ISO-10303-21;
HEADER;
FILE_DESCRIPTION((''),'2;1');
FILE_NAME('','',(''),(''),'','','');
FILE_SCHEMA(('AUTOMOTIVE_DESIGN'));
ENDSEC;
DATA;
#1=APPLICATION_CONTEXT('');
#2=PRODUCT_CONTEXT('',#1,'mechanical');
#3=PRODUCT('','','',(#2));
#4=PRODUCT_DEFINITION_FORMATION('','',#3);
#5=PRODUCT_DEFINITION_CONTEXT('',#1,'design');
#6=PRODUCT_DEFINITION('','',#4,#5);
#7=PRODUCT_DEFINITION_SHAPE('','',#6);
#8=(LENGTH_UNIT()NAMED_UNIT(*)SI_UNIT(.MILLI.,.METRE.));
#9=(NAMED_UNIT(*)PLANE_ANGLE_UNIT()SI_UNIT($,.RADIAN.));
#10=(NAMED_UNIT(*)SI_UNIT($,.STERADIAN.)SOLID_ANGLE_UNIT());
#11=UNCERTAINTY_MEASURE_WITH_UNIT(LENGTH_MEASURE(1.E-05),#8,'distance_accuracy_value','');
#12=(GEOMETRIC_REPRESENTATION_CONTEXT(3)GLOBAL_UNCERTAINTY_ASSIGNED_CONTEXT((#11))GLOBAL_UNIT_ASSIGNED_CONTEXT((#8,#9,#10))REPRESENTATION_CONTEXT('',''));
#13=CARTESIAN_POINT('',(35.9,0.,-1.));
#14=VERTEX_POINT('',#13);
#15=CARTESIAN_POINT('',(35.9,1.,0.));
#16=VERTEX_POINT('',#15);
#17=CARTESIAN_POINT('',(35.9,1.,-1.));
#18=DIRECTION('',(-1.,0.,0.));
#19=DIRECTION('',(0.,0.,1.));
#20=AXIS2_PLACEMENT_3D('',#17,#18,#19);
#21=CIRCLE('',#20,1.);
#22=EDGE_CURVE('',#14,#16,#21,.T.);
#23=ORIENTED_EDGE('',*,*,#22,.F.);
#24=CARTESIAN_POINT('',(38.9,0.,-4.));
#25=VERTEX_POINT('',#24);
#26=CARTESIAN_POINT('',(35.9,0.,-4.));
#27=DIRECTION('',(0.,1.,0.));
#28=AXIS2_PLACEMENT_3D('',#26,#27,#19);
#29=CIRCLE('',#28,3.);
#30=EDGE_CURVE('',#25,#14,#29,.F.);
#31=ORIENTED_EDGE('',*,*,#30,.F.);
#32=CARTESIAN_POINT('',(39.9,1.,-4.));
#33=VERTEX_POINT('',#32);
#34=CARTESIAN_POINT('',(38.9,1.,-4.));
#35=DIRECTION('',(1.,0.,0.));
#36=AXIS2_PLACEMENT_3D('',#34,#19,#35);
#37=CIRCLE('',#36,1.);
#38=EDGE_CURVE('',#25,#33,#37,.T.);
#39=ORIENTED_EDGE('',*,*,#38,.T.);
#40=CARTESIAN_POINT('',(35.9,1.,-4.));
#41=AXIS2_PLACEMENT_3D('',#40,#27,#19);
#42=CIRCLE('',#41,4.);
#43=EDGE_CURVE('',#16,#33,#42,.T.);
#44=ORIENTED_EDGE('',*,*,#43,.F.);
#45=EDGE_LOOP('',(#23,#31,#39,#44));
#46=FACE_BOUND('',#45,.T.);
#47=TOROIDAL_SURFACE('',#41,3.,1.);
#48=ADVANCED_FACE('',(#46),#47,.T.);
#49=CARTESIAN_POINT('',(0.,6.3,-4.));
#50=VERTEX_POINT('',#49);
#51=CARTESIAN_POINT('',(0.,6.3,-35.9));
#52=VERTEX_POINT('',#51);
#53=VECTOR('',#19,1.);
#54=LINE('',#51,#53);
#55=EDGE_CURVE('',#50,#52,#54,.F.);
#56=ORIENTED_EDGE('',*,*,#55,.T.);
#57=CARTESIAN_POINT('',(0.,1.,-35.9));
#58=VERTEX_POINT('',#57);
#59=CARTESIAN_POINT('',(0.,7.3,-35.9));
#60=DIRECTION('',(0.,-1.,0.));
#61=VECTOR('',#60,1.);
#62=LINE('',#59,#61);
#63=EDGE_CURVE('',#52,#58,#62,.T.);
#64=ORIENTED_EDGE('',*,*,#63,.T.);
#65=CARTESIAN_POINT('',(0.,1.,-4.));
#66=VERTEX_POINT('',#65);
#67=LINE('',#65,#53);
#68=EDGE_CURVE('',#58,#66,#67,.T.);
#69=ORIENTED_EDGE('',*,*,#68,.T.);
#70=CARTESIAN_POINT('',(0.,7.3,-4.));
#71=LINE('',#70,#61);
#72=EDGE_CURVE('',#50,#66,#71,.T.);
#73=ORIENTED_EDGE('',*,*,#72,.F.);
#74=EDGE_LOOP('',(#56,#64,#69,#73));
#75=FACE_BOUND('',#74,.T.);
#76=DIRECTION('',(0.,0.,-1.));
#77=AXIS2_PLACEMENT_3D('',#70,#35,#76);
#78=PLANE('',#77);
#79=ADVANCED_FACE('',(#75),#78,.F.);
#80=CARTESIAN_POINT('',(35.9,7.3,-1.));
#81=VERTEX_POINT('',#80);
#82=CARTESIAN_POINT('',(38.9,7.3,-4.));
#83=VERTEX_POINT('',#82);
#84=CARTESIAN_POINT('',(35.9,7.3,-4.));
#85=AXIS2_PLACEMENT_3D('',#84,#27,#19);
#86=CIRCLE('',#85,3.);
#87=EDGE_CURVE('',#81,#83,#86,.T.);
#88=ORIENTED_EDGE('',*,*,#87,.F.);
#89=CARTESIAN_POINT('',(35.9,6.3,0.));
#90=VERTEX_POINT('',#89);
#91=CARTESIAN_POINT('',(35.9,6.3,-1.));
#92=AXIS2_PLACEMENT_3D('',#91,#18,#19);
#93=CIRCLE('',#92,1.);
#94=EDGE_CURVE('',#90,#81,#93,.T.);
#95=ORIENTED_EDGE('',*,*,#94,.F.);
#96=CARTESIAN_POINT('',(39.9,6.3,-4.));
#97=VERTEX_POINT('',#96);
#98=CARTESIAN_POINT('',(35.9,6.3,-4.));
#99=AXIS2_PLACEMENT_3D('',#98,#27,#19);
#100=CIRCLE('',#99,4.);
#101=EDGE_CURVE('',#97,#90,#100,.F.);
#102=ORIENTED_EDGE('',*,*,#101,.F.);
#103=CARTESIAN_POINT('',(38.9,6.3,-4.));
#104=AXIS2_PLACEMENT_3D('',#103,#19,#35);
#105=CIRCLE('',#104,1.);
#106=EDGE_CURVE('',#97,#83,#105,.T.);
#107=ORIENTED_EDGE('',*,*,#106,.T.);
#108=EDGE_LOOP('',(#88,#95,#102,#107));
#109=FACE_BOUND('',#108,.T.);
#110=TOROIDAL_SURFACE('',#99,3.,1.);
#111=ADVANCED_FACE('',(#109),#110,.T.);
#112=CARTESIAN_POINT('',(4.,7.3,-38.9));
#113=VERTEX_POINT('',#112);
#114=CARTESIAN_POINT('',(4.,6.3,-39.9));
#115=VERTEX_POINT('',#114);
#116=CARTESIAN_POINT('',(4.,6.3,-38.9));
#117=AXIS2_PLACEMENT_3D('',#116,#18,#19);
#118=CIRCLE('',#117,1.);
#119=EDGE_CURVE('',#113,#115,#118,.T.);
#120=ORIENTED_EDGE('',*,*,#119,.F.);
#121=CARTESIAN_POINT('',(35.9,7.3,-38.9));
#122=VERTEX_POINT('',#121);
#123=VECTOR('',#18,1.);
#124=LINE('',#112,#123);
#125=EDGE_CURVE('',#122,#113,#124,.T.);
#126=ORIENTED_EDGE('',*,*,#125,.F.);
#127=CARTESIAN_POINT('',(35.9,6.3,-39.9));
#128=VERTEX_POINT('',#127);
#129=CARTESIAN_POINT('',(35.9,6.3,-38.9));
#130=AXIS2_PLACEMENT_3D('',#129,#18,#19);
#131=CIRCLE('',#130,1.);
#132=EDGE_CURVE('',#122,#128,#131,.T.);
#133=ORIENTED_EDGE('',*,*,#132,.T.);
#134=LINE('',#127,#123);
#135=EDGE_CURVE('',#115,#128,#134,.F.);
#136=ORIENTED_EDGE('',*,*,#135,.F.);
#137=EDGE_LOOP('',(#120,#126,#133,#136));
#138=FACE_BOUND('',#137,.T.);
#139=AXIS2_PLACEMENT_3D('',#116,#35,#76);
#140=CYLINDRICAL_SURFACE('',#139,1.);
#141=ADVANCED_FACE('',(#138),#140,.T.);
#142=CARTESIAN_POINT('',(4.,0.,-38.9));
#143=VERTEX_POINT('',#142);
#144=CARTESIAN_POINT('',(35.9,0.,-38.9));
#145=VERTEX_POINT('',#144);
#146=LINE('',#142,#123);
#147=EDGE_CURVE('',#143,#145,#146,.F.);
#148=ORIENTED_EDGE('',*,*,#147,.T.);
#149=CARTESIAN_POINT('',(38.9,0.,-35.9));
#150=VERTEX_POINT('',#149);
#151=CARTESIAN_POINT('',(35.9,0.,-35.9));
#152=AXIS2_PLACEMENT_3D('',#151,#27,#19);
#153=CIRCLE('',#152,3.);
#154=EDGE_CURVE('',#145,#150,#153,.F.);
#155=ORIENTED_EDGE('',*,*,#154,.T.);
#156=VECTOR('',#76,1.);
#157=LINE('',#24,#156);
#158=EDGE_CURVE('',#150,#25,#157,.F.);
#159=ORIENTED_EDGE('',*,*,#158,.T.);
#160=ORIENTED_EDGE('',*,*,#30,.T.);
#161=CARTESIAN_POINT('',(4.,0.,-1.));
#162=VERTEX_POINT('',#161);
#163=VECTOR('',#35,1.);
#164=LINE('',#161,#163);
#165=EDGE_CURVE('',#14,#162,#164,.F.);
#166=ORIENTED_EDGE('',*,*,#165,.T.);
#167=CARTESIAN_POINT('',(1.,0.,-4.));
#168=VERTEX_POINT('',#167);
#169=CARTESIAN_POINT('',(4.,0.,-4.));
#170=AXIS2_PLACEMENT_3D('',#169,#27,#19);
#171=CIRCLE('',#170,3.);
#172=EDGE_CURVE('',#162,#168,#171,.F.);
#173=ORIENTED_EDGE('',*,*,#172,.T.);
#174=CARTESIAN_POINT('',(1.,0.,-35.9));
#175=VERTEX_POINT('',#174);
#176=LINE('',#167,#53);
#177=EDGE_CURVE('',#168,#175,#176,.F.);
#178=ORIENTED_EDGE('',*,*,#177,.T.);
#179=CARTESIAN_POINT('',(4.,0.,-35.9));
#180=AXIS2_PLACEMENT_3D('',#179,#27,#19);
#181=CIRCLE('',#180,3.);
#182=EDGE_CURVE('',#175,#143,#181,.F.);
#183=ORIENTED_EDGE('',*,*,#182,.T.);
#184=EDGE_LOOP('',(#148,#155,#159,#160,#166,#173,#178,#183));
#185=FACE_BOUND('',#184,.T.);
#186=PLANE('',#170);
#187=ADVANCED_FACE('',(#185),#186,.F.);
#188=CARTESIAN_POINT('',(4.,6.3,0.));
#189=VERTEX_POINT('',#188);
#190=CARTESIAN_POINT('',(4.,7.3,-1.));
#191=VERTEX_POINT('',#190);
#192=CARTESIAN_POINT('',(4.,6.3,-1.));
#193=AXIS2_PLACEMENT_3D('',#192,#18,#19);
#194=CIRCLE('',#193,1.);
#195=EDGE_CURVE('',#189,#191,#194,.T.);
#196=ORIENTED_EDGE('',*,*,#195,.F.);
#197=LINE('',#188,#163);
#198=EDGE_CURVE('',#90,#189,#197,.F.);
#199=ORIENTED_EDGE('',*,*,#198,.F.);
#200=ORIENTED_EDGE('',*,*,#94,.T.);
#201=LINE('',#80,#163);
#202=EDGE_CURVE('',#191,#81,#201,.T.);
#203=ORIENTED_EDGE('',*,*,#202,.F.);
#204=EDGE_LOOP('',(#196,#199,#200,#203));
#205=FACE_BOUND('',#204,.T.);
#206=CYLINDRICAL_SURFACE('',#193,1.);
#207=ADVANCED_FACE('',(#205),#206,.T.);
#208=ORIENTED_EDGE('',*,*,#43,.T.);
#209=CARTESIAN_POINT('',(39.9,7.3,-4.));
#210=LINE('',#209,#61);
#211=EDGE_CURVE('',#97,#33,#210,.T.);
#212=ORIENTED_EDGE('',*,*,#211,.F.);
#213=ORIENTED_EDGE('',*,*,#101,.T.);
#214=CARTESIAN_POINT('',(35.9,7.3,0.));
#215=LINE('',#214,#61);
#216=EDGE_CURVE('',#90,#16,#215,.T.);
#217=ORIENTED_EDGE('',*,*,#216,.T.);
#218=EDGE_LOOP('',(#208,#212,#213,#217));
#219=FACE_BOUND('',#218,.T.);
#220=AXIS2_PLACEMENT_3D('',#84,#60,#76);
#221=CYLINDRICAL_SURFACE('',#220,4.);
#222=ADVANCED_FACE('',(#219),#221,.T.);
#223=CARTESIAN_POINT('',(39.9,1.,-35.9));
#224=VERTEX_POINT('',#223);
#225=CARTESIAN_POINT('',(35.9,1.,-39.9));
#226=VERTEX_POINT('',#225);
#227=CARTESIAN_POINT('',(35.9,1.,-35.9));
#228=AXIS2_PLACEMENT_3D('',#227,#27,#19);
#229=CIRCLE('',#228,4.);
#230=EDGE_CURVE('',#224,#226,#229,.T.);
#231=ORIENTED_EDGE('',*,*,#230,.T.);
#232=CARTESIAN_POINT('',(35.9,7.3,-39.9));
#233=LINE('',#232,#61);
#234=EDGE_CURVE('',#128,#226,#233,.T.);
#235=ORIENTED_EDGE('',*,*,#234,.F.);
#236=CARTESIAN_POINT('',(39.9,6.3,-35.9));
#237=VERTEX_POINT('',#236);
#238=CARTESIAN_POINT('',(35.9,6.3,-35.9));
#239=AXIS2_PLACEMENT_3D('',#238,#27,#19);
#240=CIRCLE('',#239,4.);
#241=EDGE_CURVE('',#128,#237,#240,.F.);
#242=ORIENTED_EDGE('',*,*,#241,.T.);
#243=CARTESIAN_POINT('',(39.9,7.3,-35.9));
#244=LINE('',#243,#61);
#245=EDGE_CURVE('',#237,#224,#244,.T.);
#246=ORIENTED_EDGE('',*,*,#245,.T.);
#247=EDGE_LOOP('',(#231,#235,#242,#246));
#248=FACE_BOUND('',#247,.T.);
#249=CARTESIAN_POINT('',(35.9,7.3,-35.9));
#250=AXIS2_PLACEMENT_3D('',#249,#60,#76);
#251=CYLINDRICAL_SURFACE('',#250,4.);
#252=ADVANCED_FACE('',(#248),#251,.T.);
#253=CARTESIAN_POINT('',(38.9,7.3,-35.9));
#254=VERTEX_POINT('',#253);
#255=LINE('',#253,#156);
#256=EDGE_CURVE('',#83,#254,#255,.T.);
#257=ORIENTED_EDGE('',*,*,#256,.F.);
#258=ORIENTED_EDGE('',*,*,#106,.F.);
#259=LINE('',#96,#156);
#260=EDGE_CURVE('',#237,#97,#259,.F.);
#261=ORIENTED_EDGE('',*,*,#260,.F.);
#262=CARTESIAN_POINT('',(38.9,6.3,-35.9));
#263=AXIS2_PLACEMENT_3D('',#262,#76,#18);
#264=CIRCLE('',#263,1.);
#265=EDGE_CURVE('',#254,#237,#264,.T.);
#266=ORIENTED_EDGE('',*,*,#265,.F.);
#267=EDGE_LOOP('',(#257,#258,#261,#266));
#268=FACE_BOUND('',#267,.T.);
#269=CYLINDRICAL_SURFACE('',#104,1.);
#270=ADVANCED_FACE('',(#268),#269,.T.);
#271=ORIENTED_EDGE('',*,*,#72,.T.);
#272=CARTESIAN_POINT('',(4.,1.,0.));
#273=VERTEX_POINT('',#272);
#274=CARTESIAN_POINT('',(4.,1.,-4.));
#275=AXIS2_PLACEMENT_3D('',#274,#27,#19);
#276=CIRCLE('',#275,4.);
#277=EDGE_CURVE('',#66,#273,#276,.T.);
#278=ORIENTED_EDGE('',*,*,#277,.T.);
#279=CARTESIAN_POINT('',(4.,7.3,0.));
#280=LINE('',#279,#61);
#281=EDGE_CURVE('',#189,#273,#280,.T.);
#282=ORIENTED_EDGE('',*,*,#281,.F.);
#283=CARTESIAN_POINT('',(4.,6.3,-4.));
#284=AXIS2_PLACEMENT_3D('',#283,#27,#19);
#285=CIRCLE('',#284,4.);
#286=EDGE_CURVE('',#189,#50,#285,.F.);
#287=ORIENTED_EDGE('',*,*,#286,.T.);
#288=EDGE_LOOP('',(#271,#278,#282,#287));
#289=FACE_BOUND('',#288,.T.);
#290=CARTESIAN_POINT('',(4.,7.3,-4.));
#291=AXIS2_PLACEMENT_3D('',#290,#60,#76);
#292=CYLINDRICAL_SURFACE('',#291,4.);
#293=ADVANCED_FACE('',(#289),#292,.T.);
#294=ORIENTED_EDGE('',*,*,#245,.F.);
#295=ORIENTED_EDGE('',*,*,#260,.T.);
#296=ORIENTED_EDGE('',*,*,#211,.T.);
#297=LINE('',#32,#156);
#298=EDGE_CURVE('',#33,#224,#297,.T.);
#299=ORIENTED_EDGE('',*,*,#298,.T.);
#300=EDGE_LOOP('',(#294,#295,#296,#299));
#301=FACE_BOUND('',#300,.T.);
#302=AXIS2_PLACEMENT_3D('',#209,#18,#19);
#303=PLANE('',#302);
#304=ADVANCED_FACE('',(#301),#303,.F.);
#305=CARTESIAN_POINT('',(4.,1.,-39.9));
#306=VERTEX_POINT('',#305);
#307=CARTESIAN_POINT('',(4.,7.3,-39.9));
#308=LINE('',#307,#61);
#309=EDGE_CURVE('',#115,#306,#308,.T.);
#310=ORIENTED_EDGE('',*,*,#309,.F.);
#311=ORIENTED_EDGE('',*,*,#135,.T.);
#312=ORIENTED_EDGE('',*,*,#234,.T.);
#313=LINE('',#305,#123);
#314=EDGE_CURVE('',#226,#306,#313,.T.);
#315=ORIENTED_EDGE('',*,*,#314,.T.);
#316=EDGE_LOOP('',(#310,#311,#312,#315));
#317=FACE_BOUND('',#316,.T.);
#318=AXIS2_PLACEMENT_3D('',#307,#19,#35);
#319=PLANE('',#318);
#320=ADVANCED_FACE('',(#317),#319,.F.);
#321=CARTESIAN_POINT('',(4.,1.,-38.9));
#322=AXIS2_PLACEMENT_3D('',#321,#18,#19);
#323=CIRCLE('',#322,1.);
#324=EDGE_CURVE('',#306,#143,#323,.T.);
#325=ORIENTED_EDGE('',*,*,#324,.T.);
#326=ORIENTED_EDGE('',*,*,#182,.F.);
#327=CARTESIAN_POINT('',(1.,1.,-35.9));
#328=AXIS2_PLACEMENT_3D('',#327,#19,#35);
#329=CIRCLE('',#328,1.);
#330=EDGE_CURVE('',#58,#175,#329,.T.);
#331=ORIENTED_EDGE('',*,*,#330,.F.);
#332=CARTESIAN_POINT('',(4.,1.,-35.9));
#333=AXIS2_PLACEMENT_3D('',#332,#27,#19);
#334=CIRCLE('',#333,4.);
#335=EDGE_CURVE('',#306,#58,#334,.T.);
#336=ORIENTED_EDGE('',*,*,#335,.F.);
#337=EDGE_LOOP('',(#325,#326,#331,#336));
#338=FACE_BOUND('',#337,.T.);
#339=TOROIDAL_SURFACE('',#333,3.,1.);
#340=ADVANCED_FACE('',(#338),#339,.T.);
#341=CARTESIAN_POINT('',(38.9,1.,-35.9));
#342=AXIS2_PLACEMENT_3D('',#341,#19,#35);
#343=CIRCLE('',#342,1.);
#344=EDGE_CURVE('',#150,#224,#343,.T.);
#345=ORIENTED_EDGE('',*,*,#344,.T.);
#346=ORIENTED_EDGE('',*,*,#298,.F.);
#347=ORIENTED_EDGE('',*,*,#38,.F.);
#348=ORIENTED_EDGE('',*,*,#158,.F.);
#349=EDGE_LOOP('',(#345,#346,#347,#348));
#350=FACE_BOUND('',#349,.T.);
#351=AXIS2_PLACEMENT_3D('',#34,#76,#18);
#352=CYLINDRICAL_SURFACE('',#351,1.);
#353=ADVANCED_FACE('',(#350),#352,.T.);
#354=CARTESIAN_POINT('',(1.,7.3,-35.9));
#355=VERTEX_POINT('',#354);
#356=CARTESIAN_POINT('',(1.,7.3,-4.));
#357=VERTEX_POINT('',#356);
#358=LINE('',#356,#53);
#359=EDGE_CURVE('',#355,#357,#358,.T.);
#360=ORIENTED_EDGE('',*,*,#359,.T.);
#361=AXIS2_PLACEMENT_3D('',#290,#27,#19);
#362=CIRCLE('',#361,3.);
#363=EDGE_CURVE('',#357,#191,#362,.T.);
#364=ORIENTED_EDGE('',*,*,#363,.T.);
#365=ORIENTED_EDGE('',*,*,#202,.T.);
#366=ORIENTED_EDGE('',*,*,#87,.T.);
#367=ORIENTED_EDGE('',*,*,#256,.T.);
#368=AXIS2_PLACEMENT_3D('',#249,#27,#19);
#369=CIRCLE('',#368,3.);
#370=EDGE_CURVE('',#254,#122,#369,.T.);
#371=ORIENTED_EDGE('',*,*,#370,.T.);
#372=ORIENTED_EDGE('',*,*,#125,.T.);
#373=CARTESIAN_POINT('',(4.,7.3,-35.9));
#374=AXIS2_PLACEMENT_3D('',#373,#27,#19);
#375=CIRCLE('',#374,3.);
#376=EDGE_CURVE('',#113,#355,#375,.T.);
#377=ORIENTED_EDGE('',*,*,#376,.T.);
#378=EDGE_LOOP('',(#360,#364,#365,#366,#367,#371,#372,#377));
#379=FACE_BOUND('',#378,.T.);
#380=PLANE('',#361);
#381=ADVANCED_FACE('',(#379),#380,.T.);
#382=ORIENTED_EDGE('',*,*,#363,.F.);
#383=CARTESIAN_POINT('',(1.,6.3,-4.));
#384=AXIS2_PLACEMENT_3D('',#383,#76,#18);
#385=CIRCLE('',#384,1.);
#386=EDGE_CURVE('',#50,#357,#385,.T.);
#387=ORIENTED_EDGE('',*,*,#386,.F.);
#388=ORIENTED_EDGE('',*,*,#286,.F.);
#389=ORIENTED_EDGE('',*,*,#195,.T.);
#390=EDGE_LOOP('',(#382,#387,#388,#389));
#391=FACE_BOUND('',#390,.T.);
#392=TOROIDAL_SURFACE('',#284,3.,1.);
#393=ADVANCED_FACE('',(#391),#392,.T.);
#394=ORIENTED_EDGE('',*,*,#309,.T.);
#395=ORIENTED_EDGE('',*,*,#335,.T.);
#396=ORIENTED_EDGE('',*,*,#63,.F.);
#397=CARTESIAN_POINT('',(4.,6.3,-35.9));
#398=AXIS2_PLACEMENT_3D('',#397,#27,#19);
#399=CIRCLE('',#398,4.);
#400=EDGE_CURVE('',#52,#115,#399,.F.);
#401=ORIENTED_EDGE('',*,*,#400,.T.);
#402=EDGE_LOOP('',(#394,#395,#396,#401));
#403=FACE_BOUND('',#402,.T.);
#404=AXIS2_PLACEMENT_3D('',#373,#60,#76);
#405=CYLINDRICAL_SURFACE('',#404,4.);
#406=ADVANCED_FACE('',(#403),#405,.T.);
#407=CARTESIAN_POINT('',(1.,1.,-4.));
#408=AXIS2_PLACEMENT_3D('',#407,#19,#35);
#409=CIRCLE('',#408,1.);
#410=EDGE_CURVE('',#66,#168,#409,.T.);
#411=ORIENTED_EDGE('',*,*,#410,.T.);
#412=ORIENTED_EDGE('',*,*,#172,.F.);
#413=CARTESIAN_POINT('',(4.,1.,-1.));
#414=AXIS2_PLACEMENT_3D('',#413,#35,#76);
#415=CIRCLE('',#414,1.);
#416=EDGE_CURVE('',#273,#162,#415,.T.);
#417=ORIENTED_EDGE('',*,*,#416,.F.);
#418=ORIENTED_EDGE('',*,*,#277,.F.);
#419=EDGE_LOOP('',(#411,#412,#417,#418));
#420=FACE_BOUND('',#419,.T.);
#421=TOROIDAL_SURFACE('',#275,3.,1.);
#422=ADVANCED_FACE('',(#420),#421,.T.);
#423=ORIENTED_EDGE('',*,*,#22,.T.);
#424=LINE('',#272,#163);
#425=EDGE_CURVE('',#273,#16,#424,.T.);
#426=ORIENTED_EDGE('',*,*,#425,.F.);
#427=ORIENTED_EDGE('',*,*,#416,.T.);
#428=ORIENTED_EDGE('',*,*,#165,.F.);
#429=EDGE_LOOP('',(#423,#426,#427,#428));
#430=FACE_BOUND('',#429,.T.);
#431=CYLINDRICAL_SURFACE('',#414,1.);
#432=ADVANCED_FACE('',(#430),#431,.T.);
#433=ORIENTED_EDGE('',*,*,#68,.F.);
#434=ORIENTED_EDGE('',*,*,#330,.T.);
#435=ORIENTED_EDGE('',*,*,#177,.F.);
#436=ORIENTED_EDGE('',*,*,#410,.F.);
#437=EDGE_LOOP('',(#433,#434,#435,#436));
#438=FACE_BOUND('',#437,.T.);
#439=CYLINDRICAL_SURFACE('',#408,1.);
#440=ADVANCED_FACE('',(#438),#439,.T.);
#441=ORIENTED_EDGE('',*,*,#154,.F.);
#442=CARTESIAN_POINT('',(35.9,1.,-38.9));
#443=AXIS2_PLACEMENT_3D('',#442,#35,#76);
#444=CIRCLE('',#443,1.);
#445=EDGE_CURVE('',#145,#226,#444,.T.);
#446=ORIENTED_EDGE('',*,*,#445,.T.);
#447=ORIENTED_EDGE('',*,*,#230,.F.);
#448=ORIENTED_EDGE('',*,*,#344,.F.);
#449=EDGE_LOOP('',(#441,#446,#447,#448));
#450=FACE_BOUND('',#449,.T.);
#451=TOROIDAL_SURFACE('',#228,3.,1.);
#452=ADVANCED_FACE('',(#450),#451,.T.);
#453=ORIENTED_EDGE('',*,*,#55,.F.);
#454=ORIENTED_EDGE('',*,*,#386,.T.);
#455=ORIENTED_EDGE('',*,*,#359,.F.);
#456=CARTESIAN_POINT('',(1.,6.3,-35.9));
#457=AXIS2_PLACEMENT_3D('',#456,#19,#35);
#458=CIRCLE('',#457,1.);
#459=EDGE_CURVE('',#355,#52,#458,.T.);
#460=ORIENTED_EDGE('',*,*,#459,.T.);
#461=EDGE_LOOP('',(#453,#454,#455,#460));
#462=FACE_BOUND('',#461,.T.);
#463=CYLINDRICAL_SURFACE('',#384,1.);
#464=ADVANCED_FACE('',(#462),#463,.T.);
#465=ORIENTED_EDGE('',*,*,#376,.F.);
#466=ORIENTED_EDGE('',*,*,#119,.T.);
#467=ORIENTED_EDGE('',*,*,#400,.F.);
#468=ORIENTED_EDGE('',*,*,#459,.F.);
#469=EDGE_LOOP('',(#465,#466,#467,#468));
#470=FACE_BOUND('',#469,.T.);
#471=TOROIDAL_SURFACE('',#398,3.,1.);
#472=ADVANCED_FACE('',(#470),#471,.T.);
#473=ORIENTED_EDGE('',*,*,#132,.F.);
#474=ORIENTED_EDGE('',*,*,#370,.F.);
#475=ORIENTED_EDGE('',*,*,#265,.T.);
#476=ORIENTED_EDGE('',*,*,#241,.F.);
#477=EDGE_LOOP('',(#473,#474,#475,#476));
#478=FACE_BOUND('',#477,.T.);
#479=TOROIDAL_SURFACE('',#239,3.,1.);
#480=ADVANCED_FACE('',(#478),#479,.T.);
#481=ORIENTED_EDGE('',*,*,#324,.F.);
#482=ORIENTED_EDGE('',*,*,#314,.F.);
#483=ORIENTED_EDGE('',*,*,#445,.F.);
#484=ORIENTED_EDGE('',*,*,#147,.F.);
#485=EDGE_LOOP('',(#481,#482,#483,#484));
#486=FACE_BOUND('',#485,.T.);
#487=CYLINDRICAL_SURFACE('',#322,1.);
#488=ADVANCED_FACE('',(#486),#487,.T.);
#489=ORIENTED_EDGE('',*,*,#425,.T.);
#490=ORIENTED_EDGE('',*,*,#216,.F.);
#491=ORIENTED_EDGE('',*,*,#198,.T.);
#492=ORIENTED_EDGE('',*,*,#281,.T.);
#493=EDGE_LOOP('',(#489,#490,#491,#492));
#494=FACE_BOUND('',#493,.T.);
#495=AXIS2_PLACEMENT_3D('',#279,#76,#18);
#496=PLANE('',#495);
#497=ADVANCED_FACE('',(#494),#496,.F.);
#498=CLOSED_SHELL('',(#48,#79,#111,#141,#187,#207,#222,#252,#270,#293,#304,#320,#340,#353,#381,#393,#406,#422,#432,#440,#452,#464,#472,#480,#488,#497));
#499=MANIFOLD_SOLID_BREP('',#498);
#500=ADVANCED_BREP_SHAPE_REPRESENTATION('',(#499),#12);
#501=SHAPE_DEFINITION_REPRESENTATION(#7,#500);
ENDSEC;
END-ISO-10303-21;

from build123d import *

# Parameters (mm, degrees)
BOSS_EXTRUDE1_DEPTH = 7.3
FILLET1_R           = 1


with BuildPart() as part:
    # Sketch1 → Boss-Extrude1 (new body)
    with BuildSketch(Plane(origin=(0, 0, 0), x_dir=(1, 0, 0), z_dir=(0, 1, 0))):
        with BuildLine():
            Line((4, 0), (35.9, 0))
            ThreePointArc((35.9, 0), (38.728427125, 1.171572875), (39.9, 4))
            Line((39.9, 4), (39.9, 35.9))
            ThreePointArc((39.9, 35.9), (38.728427125, 38.728427125), (35.9, 39.9))
            Line((35.9, 39.9), (4, 39.9))
            ThreePointArc((4, 39.9), (1.171572875, 38.728427125), (0, 35.9))
            Line((0, 35.9), (0, 4))
            ThreePointArc((0, 4), (1.171572875, 1.171572875), (4, 0))
        make_face()
    extrude(amount=BOSS_EXTRUDE1_DEPTH)

    # Fillet1
    fillet1_edges = [part.edges().sort_by_distance(p)[0] for p in [
        (39.9, 0, -19.95),
        (38.728427125, 0, -1.171572875),
        (19.95, 0, 0),
        (1.171572875, 0, -1.171572875),
        (38.728427125, 7.3, -1.171572875),
        (39.9, 7.3, -19.95),
        (38.728427125, 7.3, -38.728427125),
        (19.95, 7.3, -39.9),
        (1.171572875, 7.3, -38.728427125),
        (0, 7.3, -19.95),
        (1.171572875, 7.3, -1.171572875),
        (0, 0, -19.95),
        (19.95, 7.3, 0),
        (1.171572875, 0, -38.728427125),
        (19.95, 0, -39.9),
        (38.728427125, 0, -38.728427125),
    ]]
    fillet(fillet1_edges, radius=FILLET1_R)


solid = part.part
